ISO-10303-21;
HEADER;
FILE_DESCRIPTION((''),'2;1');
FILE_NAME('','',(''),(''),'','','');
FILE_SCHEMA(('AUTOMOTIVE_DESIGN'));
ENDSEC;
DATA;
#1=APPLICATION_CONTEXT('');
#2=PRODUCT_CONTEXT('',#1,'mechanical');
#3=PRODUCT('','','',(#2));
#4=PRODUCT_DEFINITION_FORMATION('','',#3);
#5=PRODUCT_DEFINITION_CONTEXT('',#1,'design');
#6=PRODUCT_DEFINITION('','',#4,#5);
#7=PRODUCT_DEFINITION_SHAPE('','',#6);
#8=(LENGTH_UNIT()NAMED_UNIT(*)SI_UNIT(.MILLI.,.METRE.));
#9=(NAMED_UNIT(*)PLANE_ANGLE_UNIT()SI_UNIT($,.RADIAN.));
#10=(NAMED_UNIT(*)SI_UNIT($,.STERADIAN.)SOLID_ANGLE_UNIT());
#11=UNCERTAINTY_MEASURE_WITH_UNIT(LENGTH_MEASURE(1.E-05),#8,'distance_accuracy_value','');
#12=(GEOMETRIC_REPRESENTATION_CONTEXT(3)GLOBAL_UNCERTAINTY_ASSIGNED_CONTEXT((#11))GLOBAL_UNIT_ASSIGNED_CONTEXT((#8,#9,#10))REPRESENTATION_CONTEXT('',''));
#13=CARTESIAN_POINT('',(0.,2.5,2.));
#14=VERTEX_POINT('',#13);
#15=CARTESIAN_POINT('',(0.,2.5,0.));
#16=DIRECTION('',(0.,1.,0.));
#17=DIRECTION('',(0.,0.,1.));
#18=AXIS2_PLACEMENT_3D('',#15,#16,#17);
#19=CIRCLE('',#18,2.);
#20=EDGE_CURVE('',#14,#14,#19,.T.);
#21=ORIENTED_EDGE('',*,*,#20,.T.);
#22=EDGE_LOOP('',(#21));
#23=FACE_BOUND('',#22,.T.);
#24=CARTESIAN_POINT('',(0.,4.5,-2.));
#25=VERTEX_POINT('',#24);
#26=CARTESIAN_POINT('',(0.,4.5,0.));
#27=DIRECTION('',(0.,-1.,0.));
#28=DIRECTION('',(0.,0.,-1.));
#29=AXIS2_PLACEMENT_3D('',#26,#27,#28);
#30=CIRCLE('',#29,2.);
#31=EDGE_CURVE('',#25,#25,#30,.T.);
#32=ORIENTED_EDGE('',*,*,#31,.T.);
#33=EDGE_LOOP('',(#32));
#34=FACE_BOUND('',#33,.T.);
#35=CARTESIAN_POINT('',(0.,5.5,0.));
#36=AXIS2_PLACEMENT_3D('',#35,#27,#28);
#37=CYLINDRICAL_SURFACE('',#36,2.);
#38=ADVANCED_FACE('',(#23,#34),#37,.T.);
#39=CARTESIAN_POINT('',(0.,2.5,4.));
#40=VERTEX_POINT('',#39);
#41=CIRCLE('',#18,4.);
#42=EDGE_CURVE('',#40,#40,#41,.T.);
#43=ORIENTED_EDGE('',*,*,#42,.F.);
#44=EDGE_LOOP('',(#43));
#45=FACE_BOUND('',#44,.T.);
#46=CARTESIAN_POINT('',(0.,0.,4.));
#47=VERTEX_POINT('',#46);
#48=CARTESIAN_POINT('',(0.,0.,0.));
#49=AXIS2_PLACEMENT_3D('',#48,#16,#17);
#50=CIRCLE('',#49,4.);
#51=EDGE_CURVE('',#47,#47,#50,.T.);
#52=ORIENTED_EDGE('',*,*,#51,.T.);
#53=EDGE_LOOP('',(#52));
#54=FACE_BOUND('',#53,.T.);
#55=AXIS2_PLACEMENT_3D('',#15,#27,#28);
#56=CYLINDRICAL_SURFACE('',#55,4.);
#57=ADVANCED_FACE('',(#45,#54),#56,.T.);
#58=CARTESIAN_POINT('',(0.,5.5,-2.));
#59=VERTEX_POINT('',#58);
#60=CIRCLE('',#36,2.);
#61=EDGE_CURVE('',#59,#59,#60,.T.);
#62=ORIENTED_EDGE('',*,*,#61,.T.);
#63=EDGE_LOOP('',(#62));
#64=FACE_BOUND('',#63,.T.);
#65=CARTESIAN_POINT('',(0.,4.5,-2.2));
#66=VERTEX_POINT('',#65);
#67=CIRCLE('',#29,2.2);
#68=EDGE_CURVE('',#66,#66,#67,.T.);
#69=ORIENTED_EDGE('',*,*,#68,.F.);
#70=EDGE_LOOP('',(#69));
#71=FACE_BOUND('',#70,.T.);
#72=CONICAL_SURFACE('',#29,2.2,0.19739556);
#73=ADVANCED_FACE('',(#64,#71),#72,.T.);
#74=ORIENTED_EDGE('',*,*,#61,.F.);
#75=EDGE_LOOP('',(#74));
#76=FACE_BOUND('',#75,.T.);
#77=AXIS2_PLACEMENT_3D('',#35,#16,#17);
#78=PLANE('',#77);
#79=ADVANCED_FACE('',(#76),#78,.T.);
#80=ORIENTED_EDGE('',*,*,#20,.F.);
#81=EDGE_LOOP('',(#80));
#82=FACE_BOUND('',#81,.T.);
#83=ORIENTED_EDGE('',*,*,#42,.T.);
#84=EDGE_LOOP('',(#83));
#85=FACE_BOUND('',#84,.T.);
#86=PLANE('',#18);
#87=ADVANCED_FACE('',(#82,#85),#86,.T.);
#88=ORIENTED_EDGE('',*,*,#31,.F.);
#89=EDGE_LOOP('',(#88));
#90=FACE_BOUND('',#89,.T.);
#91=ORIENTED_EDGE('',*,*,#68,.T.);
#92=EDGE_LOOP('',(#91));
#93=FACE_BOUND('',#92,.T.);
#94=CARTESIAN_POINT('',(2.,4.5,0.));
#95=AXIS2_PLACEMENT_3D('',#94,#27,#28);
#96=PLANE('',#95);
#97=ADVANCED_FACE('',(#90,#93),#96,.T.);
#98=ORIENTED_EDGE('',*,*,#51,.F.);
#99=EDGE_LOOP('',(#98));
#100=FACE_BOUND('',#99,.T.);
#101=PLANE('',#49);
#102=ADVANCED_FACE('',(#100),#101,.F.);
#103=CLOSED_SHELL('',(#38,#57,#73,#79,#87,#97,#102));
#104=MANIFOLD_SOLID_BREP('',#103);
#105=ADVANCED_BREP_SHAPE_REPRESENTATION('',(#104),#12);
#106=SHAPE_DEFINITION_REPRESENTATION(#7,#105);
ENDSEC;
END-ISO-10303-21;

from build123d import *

# Parameters (mm, degrees)
SKETCH1_R           = 4
BOSS_EXTRUDE1_DEPTH = 2.5
SKETCH2_R           = 2
BOSS_EXTRUDE2_DEPTH = 3


with BuildPart() as part:
    # Sketch1 → Boss-Extrude1 (new body)
    with BuildSketch(Plane(origin=(0, 0, 0), x_dir=(1, 0, 0), z_dir=(0, 1, 0))):
        with Locations(Location((0, 0, 0), (0, 0, 270))):
            Circle(SKETCH1_R)
    extrude(amount=BOSS_EXTRUDE1_DEPTH)

    # Sketch2 → Boss-Extrude2 (add)
    with BuildSketch(Plane(origin=(0, 2.5, 0), x_dir=(1, 0, 0), z_dir=(0, 1, 0))):
        with Locations(Location((0, 0, 0), (0, 0, 270))):
            Circle(SKETCH2_R)
    extrude(amount=BOSS_EXTRUDE2_DEPTH)

    # Sketch3 → Revolve1 (revolve)
    with BuildSketch(Plane.XY, mode=Mode.PRIVATE) as revolve1_sk:
        Polygon((2, 5.5), (2, 4.5), (2.2, 4.5), align=None)
    revolve(revolve1_sk.sketch.rotate(Axis((0, 0, 0), (0, 1, 0)), 90), axis=Axis((0, 0, 0), (0, 1, 0)))


solid = part.part
